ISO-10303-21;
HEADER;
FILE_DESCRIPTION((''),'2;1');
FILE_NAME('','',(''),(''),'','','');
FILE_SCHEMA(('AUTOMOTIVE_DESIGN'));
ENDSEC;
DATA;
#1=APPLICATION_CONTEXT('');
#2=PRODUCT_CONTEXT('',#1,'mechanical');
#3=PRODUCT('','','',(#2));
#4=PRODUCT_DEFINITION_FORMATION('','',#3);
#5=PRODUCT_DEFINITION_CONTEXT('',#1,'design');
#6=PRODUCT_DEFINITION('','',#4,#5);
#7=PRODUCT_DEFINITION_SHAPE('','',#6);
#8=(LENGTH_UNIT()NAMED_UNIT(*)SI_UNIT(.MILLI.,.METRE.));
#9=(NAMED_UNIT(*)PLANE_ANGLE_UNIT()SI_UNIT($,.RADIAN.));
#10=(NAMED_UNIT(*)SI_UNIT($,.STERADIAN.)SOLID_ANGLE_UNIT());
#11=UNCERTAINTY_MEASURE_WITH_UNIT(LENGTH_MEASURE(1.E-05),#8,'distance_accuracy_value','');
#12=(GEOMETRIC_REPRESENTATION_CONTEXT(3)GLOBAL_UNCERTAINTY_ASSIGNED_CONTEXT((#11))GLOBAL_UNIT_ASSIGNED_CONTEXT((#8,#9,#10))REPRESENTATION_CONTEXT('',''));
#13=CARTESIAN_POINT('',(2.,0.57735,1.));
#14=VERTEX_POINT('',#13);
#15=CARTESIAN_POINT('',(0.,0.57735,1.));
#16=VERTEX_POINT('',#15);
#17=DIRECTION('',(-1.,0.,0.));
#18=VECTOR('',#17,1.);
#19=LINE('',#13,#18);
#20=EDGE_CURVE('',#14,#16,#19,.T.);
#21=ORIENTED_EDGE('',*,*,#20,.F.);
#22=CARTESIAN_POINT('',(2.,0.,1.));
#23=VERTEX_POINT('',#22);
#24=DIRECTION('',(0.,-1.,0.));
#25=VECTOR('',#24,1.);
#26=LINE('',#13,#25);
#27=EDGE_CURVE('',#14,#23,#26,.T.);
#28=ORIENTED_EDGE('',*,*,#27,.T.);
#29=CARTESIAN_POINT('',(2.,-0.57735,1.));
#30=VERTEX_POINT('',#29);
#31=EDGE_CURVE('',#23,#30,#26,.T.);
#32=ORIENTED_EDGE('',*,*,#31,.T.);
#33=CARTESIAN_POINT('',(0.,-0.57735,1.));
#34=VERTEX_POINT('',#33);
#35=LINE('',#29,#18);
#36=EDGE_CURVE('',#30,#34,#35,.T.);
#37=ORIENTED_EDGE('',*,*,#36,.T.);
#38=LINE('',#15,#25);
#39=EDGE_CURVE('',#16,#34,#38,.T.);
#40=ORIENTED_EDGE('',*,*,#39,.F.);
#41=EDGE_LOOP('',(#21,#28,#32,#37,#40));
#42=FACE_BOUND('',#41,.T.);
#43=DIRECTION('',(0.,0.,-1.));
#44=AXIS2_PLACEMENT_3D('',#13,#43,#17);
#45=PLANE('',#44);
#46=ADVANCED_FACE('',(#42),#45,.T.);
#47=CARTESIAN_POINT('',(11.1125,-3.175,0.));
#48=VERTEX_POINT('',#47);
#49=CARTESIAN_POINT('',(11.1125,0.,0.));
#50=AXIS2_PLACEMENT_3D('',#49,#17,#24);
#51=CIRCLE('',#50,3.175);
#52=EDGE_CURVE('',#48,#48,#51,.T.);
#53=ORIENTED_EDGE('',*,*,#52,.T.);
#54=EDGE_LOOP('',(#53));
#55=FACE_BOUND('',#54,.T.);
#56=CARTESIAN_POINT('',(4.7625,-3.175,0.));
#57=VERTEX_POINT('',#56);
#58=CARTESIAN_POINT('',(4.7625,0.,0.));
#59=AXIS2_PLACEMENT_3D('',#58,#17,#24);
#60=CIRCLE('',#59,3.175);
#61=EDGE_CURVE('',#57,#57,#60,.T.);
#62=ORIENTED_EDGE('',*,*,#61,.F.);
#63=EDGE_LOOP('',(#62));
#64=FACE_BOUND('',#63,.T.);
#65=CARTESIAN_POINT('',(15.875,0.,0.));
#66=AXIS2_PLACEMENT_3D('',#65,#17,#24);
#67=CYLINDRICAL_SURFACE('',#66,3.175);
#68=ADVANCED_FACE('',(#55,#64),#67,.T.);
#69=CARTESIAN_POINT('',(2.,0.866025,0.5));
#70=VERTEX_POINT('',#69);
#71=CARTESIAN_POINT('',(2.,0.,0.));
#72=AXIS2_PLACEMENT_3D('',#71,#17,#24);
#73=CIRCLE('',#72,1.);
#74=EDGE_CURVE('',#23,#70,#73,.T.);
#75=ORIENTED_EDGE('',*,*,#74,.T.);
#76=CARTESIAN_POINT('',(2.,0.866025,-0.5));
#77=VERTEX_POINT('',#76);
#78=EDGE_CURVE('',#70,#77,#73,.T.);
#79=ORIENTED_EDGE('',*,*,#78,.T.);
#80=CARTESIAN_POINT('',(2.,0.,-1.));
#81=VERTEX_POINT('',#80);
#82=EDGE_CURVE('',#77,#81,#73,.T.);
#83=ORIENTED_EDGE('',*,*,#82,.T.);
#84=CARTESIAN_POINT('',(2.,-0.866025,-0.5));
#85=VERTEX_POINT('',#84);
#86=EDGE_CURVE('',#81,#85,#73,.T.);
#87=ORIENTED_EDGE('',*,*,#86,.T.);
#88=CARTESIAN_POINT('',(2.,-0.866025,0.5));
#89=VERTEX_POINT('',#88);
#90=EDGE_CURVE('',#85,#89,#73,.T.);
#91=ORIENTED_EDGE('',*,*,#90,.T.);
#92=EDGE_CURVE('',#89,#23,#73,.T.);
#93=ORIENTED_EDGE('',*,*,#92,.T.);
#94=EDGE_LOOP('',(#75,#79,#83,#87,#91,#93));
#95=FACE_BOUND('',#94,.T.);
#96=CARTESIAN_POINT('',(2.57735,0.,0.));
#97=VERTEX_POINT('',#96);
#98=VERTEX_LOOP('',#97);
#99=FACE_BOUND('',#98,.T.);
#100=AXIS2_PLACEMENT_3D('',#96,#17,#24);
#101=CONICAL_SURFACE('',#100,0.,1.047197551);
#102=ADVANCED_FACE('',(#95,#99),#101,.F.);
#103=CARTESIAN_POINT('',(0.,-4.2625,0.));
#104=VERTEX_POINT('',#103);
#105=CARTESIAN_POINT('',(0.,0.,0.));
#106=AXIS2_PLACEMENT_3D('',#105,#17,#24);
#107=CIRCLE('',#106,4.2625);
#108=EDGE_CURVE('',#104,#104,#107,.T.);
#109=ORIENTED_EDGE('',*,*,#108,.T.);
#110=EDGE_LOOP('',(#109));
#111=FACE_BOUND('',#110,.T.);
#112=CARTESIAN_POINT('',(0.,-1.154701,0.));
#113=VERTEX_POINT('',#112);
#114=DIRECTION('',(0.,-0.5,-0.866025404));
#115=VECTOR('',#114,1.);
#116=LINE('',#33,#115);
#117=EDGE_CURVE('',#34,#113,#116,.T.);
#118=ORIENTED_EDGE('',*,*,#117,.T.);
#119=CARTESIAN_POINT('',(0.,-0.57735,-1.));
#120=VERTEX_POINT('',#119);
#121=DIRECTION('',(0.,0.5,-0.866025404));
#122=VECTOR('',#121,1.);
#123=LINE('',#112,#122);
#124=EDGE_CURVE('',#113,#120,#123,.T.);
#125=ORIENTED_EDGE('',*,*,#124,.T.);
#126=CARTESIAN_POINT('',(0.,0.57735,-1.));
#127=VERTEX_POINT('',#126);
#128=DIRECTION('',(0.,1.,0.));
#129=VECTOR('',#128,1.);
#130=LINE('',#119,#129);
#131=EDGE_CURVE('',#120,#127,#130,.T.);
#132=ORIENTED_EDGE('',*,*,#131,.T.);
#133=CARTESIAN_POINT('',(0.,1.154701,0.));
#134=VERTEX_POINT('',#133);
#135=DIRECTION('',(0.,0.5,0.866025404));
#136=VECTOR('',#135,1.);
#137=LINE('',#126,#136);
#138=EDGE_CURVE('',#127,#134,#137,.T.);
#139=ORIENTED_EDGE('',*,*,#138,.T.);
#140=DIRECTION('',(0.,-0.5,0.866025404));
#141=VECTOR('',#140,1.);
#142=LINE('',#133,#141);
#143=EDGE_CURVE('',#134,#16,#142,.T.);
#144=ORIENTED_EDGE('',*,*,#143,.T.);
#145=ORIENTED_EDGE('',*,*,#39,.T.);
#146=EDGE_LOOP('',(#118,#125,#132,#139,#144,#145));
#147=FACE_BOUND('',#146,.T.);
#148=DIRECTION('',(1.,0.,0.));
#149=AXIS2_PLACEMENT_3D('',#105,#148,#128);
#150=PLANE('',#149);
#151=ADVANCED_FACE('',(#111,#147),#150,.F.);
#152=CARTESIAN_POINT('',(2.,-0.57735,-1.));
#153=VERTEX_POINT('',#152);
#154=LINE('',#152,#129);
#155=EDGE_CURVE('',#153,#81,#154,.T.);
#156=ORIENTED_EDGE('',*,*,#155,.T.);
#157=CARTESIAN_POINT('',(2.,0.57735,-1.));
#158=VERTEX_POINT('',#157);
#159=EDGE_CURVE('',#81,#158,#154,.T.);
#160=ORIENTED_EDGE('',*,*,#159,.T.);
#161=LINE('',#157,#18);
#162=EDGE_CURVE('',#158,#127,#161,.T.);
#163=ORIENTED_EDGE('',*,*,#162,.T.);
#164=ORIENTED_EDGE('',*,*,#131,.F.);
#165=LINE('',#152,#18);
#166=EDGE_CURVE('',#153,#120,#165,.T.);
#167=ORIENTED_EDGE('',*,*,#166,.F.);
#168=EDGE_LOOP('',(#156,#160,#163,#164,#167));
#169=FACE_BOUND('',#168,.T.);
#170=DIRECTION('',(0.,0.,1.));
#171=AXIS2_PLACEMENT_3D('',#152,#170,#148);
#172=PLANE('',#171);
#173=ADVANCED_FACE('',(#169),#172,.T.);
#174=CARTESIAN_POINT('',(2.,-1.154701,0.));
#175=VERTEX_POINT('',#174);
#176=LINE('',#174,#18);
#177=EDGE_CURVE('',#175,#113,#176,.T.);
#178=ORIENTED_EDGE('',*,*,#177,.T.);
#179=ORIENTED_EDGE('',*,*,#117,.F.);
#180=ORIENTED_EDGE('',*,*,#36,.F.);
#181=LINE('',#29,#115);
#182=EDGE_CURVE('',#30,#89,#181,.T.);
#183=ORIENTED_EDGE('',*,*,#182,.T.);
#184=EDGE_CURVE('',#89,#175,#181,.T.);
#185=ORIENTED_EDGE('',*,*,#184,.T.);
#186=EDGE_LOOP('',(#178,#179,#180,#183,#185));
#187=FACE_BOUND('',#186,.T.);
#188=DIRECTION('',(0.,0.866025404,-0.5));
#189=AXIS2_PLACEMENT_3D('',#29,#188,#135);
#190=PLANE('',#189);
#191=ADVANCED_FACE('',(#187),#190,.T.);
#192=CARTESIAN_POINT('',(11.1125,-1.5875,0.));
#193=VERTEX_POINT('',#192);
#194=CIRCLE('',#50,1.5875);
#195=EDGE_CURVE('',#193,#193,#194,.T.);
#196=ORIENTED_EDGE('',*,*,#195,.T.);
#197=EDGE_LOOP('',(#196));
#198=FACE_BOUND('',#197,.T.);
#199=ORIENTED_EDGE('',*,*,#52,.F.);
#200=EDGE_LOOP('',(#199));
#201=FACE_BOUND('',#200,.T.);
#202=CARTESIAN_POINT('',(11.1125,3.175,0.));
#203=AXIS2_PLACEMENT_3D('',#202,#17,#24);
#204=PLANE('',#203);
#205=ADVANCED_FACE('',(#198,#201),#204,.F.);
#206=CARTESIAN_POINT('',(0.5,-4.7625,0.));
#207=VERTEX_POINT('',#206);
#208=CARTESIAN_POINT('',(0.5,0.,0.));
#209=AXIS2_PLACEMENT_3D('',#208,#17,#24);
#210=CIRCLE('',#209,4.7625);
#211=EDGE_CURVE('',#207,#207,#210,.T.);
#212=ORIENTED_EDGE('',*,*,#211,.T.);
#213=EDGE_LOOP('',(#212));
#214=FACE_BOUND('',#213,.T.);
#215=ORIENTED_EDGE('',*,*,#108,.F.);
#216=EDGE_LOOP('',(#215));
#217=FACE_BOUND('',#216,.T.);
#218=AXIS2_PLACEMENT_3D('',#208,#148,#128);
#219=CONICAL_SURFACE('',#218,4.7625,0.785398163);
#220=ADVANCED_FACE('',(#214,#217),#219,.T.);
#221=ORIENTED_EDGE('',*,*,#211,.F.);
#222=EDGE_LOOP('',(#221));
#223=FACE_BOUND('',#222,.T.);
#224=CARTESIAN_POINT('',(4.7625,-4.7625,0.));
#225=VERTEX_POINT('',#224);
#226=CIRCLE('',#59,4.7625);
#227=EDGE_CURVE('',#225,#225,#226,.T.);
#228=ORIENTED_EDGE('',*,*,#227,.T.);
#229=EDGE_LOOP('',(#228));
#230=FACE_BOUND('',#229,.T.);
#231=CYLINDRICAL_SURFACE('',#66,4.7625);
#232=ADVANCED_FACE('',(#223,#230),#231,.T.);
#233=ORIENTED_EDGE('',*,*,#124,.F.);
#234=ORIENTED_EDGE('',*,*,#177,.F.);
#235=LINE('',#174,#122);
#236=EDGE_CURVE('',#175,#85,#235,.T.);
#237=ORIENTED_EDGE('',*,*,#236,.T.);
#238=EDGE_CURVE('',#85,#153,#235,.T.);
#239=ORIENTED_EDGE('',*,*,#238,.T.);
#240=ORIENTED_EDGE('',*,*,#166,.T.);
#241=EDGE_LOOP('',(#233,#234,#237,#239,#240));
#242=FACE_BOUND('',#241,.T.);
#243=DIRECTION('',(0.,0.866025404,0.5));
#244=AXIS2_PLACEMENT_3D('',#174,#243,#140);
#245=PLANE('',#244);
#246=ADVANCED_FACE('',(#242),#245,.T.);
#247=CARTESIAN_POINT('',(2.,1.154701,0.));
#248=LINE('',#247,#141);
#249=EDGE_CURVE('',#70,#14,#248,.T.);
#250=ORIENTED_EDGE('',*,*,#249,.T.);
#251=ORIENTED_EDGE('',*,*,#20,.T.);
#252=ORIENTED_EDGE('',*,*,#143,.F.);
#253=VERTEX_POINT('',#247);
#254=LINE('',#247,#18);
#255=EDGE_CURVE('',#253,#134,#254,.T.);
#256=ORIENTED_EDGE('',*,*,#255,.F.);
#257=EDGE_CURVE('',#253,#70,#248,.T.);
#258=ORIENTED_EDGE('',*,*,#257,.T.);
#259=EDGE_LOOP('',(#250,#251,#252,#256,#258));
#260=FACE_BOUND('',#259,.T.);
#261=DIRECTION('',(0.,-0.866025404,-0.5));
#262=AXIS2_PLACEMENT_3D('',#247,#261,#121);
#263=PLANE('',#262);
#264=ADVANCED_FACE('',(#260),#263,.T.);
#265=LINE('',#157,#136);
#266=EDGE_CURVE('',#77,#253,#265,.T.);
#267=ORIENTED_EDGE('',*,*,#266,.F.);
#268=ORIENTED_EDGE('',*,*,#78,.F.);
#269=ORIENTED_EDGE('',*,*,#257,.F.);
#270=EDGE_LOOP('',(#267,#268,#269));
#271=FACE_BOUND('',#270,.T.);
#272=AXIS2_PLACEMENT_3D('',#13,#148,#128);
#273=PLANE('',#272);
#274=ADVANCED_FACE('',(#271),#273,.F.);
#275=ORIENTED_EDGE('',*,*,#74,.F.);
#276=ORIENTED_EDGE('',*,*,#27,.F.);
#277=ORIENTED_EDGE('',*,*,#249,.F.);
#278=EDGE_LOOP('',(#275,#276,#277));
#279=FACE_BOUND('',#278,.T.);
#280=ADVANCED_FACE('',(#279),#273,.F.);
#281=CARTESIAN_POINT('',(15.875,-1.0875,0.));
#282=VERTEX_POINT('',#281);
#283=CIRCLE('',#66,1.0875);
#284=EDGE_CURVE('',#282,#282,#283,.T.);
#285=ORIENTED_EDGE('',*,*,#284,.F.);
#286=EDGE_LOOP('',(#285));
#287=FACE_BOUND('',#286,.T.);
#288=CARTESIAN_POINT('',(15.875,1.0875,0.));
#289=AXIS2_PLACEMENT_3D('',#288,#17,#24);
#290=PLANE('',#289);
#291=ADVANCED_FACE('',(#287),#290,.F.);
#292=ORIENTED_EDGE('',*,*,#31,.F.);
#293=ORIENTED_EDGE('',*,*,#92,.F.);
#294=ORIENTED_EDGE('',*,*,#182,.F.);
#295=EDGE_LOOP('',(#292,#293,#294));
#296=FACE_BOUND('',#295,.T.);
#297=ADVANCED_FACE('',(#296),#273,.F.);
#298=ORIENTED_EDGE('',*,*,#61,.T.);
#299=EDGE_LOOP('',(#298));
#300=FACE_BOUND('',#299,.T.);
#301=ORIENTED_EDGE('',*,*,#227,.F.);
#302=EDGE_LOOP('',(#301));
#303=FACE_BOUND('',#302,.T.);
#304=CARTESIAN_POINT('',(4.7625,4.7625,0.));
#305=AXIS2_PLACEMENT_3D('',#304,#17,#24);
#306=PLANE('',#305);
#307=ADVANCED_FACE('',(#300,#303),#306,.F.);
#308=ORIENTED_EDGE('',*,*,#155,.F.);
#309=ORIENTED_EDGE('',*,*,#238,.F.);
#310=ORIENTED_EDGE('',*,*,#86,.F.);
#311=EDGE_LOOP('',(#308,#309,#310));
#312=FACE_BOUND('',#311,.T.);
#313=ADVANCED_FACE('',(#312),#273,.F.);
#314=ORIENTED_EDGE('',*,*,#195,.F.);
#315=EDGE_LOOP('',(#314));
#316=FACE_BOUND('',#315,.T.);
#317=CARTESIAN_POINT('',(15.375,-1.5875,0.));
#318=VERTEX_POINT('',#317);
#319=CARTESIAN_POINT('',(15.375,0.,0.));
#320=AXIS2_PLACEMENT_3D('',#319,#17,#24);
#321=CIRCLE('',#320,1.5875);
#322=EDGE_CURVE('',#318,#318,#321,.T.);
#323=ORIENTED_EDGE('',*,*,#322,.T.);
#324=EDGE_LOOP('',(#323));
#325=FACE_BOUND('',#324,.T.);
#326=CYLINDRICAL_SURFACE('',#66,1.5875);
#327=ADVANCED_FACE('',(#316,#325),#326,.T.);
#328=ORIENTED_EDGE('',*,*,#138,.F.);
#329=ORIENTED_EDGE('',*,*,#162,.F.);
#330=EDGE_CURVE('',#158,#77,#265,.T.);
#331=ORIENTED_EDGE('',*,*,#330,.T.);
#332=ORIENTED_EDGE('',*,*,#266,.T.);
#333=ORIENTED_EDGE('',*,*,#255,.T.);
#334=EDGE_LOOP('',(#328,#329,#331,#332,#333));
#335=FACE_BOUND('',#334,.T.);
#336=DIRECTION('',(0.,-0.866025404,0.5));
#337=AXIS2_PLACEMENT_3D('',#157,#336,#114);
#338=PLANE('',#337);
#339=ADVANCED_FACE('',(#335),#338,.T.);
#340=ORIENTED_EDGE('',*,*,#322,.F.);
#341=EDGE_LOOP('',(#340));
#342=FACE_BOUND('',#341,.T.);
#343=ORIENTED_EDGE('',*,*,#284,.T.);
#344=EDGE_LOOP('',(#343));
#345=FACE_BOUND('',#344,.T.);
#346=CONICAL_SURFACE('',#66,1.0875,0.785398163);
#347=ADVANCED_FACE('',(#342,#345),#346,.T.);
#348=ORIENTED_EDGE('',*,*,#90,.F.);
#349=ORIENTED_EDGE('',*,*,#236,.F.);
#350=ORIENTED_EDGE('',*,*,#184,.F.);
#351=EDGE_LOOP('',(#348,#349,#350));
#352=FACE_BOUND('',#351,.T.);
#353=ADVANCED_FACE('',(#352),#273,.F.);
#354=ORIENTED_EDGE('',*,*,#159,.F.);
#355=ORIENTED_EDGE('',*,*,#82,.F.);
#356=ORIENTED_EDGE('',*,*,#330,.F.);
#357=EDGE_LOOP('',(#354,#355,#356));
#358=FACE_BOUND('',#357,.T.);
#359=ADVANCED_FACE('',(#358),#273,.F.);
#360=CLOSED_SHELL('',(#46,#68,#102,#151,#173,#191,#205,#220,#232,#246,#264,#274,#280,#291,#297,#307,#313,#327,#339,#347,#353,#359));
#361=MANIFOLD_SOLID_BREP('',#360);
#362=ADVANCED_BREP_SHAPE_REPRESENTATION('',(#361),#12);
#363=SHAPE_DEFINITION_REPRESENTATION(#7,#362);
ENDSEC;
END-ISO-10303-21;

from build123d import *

# Parameters (mm, degrees)
CUT_EXTRUDE1_DEPTH = 2


with BuildPart() as part:
    # Sketch1 → Revolve1 (revolve)
    with BuildSketch(Plane.XY, mode=Mode.PRIVATE) as revolve1_sk:
        Polygon((0, 0), (0, 4.2625), (0.5, 4.7625), (4.7625, 4.7625), (4.7625, 3.175), (11.1125, 3.175), (11.1125, 1.5875), (15.375, 1.5875), (15.875, 1.0875), (15.875, 0), align=None)
    revolve(revolve1_sk.sketch.rotate(Axis((15.875, 0, 0), (-1, 0, 0)), 180), axis=Axis((15.875, 0, 0), (-1, 0, 0)))

    # Sketch2 → Cut-Revolve1 (revolve, cut)
    with BuildSketch(Plane.XY, mode=Mode.PRIVATE) as cut_revolve1_sk:
        Polygon((0, 0), (0, 1), (2, 1), (2.577350269, 0), align=None)
    revolve(cut_revolve1_sk.sketch.rotate(Axis((2.577350269, 0, 0), (-1, 0, 0)), 180), axis=Axis((2.577350269, 0, 0), (-1, 0, 0)), mode=Mode.SUBTRACT)

    # Sketch3 → Cut-Extrude1 (cut)
    with BuildSketch(Plane(origin=(0, 0, 0), x_dir=(0, 0, -1), z_dir=(1, 0, 0))):
        Polygon((-1, 0.577350269), (-1, -0.577350269), (0, -1.154700538), (1, -0.577350269), (1, 0.577350269), (0, 1.154700538), align=None)
    extrude(amount=CUT_EXTRUDE1_DEPTH, mode=Mode.SUBTRACT)


solid = part.part
